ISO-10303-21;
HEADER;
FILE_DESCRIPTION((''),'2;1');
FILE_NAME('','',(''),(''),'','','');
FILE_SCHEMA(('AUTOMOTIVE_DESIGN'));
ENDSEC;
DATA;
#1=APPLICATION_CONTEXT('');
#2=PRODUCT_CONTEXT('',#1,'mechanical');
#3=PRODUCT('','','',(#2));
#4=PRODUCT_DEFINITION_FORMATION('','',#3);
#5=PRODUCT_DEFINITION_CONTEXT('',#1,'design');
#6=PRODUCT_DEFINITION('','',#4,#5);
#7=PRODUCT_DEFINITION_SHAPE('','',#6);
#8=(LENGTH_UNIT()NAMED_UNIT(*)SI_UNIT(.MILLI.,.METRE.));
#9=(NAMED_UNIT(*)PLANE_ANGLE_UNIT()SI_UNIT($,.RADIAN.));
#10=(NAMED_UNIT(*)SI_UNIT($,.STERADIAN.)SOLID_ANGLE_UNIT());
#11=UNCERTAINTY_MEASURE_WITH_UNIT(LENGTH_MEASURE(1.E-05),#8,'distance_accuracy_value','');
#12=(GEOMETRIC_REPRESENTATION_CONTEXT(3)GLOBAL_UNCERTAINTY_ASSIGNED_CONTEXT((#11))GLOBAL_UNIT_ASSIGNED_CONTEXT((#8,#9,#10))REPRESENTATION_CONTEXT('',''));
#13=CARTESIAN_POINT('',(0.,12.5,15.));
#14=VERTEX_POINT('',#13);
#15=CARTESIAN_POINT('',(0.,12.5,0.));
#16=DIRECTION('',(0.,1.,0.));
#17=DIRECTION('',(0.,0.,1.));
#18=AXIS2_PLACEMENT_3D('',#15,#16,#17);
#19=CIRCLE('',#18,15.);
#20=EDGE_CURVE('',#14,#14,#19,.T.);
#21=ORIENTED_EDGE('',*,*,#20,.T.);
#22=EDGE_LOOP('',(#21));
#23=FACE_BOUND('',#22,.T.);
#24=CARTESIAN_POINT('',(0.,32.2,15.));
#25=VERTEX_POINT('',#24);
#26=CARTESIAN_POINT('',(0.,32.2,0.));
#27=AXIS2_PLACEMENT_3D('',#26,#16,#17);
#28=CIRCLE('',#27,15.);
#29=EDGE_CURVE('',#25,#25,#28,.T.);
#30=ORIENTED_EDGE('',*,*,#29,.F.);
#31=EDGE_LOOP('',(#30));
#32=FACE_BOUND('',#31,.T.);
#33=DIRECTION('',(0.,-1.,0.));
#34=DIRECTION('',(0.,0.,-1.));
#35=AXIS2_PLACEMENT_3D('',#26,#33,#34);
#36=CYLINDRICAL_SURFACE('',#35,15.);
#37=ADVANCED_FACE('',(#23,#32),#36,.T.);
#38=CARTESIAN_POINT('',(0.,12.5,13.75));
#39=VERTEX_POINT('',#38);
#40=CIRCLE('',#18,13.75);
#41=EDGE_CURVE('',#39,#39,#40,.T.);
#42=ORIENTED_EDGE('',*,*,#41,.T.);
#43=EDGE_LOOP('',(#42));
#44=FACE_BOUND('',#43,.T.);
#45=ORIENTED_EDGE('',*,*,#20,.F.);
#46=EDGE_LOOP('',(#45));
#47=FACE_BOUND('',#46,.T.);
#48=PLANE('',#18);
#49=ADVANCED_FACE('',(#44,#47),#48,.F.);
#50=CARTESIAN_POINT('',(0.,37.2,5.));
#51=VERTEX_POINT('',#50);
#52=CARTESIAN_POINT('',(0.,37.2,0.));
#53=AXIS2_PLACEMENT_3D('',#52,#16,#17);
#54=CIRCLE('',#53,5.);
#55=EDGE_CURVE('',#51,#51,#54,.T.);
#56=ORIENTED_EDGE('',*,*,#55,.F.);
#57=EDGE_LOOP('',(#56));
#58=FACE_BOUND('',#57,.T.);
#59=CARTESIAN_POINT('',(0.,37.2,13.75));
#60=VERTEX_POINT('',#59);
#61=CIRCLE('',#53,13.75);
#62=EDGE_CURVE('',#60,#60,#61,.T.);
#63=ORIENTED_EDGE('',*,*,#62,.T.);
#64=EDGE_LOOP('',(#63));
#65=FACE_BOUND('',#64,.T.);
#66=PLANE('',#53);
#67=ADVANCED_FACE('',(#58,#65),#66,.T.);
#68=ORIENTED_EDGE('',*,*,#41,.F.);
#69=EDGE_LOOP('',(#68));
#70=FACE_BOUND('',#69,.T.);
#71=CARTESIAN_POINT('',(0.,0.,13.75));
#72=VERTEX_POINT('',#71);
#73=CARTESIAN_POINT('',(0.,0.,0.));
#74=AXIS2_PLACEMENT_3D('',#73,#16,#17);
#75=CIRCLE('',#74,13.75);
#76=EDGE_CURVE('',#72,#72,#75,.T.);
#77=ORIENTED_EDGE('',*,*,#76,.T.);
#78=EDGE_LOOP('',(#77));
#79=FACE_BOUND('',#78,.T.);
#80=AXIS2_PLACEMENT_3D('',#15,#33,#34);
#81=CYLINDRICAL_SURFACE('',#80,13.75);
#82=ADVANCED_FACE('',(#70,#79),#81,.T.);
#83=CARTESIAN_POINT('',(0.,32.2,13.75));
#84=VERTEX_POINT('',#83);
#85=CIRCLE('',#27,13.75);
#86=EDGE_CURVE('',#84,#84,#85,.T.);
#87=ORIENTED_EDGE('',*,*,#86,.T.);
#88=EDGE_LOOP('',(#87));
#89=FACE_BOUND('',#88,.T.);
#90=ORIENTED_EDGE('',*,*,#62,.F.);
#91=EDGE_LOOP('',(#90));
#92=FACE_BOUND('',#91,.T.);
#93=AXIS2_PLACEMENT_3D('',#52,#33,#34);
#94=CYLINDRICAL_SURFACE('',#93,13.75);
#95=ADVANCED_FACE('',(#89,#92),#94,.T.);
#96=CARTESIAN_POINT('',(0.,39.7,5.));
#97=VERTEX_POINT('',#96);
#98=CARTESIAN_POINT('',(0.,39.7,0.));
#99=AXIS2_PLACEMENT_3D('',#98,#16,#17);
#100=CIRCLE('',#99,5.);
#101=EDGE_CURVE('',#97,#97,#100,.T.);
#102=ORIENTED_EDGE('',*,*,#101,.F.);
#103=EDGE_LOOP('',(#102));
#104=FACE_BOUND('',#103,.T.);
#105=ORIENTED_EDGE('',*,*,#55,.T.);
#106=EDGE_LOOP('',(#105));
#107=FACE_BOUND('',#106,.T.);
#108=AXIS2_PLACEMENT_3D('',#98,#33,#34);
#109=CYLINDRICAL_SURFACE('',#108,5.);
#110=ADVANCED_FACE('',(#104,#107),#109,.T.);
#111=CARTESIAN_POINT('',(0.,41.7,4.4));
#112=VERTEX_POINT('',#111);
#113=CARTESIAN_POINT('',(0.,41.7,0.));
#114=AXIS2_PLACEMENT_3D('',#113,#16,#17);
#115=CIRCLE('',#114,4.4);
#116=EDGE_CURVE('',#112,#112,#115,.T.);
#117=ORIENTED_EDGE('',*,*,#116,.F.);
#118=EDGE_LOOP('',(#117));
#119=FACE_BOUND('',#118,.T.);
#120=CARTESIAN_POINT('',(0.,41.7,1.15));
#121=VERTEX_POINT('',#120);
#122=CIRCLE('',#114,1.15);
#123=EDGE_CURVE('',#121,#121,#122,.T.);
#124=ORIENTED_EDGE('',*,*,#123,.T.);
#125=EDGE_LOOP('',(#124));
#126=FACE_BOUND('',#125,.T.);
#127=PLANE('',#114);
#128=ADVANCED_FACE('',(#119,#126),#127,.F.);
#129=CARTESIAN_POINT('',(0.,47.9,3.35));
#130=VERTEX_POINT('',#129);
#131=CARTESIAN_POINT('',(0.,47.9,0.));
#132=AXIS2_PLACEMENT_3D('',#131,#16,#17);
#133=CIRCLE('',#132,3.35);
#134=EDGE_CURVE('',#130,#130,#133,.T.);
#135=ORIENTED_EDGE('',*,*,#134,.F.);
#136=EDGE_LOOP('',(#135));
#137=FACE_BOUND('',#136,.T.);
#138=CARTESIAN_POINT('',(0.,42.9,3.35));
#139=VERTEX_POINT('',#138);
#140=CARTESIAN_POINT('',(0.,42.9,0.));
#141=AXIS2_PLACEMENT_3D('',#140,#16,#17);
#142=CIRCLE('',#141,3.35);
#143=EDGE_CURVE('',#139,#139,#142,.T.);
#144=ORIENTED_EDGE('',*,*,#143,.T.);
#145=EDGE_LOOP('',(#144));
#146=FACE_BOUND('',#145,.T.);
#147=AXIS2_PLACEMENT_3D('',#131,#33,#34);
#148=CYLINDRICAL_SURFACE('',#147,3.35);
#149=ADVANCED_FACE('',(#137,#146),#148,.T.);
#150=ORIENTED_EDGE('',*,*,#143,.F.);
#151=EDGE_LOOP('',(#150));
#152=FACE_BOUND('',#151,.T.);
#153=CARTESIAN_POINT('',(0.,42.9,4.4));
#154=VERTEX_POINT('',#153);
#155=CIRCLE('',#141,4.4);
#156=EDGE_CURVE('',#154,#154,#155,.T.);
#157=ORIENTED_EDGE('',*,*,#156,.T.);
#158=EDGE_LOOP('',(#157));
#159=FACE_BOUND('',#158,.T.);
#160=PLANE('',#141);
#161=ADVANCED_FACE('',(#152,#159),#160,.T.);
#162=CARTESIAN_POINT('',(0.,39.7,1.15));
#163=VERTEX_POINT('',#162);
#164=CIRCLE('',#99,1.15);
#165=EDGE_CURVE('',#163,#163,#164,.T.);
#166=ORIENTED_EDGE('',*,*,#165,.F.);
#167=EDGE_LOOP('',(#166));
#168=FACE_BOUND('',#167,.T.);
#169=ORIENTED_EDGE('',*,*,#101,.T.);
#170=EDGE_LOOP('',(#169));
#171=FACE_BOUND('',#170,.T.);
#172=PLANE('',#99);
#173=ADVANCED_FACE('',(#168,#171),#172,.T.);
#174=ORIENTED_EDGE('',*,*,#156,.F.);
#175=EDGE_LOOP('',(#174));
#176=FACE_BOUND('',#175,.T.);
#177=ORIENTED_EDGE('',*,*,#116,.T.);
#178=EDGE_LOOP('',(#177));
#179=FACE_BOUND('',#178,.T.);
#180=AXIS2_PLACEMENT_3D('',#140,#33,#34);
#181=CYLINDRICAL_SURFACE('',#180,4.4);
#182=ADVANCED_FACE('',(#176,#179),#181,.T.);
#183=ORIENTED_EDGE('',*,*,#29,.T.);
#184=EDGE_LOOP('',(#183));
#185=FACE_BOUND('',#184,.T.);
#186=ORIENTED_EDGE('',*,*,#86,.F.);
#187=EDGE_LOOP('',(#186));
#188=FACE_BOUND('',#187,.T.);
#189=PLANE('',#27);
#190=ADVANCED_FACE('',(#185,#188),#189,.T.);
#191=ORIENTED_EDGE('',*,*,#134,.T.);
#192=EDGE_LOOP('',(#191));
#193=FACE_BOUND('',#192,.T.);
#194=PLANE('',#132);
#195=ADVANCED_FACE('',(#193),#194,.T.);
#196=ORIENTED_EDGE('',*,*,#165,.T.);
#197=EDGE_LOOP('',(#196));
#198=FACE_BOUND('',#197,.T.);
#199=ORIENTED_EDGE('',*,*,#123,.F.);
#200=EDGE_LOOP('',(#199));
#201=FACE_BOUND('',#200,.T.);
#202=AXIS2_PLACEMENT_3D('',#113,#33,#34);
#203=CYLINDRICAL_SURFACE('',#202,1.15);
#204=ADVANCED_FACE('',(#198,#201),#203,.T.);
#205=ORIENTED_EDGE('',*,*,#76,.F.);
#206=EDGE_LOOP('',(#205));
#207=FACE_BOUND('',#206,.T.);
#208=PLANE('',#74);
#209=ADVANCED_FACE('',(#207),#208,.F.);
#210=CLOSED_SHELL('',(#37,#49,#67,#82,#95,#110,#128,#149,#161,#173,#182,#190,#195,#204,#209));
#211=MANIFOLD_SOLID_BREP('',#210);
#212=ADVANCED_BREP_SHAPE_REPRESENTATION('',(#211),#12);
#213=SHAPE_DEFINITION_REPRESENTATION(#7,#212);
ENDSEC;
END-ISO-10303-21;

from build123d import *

# Parameters (mm, degrees)
CROQUIS1_R              = 13.75
SALIENTE_EXTRUIR1_DEPTH = 12.5
CROQUIS2_R              = 15
SALIENTE_EXTRUIR2_DEPTH = 19.7
CROQUIS3_R              = 13.75
SALIENTE_EXTRUIR3_DEPTH = 5
CROQUIS4_R              = 5
SALIENTE_EXTRUIR4_DEPTH = 2.5
CROQUIS5_R              = 1.15
SALIENTE_EXTRUIR5_DEPTH = 2
CROQUIS6_R              = 4.4
SALIENTE_EXTRUIR6_DEPTH = 1.2
CROQUIS7_R              = 3.35
SALIENTE_EXTRUIR7_DEPTH = 5


with BuildPart() as part:
    # Croquis1 → Saliente-Extruir1 (new body)
    with BuildSketch(Plane(origin=(0, 0, 0), x_dir=(1, 0, 0), z_dir=(0, 1, 0))):
        Circle(CROQUIS1_R)
    extrude(amount=SALIENTE_EXTRUIR1_DEPTH)

    # Croquis2 → Saliente-Extruir2 (add)
    with BuildSketch(Plane(origin=(0, 12.5, 0), x_dir=(1, 0, 0), z_dir=(0, 1, 0))):
        Circle(CROQUIS2_R)
    extrude(amount=SALIENTE_EXTRUIR2_DEPTH)

    # Croquis3 → Saliente-Extruir3 (add)
    with BuildSketch(Plane(origin=(0, 32.2, 0), x_dir=(1, 0, 0), z_dir=(0, 1, 0))):
        Circle(CROQUIS3_R)
    extrude(amount=SALIENTE_EXTRUIR3_DEPTH)

    # Croquis4 → Saliente-Extruir4 (add)
    with BuildSketch(Plane(origin=(0, 37.2, 0), x_dir=(1, 0, 0), z_dir=(0, 1, 0))):
        Circle(CROQUIS4_R)
    extrude(amount=SALIENTE_EXTRUIR4_DEPTH)

    # Croquis5 → Saliente-Extruir5 (add)
    with BuildSketch(Plane(origin=(0, 39.7, 0), x_dir=(1, 0, 0), z_dir=(0, 1, 0))):
        Circle(CROQUIS5_R)
    extrude(amount=SALIENTE_EXTRUIR5_DEPTH)

    # Croquis6 → Saliente-Extruir6 (add)
    with BuildSketch(Plane(origin=(0, 41.7, 0), x_dir=(1, 0, 0), z_dir=(0, 1, 0))):
        Circle(CROQUIS6_R)
    extrude(amount=SALIENTE_EXTRUIR6_DEPTH)

    # Croquis7 → Saliente-Extruir7 (add)
    with BuildSketch(Plane(origin=(0, 42.9, 0), x_dir=(1, 0, 0), z_dir=(0, 1, 0))):
        Circle(CROQUIS7_R)
    extrude(amount=SALIENTE_EXTRUIR7_DEPTH)


solid = part.part
